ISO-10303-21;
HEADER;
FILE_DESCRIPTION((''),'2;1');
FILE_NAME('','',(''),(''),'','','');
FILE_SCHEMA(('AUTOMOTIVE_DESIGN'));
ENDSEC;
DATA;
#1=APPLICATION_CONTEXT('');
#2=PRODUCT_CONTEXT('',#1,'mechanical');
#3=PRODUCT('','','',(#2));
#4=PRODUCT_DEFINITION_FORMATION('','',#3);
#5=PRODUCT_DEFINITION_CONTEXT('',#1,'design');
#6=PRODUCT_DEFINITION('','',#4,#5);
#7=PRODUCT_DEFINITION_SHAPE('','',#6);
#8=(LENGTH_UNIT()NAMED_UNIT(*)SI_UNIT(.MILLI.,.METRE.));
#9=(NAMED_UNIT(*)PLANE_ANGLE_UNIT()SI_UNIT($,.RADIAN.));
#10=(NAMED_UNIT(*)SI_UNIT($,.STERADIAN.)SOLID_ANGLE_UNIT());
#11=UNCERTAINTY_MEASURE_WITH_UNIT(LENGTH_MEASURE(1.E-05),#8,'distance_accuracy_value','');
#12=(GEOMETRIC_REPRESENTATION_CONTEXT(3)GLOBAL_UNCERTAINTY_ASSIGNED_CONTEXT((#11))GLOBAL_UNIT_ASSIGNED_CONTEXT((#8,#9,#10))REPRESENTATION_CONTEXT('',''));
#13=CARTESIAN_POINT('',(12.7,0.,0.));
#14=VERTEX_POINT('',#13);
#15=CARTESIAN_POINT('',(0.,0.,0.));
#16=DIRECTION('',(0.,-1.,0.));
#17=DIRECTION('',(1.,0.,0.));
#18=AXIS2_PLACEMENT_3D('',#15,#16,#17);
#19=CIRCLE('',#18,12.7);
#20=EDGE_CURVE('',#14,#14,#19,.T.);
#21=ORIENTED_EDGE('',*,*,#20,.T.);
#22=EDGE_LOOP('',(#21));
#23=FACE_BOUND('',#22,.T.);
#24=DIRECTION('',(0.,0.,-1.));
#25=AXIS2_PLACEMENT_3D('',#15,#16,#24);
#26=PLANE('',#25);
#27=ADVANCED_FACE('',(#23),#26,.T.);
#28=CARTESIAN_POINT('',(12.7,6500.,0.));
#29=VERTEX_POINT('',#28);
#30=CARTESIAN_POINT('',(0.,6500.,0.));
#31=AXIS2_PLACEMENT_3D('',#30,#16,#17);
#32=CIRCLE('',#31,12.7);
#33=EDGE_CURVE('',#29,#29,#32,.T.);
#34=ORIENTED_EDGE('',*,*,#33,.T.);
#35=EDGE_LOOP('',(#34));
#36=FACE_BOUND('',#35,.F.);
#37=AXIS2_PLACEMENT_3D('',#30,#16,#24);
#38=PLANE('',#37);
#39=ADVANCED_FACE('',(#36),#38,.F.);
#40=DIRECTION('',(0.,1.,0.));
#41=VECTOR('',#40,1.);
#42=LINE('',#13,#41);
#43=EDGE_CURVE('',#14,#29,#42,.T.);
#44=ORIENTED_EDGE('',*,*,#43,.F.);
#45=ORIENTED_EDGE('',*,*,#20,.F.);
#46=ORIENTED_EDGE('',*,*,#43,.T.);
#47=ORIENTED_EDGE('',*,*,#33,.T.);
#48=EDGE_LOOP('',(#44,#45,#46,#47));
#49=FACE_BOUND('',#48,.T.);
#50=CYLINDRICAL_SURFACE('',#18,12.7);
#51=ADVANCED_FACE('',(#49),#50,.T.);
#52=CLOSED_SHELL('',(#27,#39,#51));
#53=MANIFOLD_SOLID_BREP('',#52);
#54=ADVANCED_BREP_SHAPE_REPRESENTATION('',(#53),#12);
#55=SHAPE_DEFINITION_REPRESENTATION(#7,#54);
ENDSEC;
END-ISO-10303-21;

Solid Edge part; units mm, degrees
sketch "Sketch1" plane through (0, 0, 0) normal (0, -1, 0) x (1, 0, 0)
  circle A0 centre (0, 0) radius 12.7
extrude "Protrusion1" add sketch "Sketch1" against normal blind 6500
